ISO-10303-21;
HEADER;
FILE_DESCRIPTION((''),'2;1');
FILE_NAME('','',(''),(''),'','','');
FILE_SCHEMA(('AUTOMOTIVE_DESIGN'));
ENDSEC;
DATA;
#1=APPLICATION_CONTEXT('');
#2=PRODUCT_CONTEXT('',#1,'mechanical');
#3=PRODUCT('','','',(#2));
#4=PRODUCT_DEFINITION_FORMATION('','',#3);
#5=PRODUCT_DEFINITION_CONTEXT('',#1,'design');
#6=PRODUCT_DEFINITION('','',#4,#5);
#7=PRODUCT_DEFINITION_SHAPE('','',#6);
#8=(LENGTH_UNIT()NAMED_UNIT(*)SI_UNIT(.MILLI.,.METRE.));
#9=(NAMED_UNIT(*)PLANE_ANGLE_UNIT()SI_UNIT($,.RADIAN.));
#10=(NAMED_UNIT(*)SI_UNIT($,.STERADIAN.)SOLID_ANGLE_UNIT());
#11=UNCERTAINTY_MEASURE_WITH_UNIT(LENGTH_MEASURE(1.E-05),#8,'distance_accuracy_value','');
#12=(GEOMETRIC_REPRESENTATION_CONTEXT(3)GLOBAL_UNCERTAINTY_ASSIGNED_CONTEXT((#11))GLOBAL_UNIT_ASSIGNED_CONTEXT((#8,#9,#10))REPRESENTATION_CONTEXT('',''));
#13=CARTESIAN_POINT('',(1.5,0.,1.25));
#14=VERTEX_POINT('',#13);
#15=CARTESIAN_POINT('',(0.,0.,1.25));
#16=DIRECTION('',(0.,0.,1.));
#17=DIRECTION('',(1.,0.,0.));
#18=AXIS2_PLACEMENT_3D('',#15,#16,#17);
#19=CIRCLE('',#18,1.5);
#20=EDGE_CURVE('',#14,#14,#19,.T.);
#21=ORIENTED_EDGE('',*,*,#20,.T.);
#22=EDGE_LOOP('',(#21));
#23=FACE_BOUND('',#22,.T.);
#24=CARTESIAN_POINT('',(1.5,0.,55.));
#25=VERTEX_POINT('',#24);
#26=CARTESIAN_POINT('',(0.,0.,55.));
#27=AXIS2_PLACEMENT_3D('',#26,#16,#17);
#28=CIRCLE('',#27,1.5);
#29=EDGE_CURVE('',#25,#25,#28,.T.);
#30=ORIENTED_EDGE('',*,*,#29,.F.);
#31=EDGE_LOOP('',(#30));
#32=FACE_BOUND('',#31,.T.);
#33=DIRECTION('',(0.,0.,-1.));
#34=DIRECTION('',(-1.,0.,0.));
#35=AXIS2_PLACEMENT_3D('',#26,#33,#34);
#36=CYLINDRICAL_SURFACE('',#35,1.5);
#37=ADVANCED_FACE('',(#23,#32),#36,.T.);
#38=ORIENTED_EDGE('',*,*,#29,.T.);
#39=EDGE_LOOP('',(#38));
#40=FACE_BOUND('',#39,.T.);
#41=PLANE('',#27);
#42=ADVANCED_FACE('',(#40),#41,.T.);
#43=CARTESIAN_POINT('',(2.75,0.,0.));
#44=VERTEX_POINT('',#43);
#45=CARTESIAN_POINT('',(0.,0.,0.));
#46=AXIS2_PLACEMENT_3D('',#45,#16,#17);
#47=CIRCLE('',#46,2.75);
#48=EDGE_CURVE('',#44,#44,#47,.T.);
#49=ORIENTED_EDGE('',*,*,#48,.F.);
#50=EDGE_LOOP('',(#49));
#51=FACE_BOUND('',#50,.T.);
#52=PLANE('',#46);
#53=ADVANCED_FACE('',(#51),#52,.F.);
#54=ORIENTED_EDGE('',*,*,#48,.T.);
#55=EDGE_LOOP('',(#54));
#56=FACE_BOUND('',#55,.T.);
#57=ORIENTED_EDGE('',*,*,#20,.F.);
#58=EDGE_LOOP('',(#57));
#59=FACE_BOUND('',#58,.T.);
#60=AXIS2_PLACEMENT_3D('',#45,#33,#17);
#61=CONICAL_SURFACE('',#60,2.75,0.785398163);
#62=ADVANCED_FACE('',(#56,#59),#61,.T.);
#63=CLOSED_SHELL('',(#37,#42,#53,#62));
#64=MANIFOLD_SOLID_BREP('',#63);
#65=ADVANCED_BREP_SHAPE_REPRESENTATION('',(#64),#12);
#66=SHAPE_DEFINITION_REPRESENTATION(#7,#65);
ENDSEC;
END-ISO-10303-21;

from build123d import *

# Parameters (mm, degrees)
M3_55MM_START    = 1.25
SKETCH_1_R       = 1.5
M3_55MM_DEPTH    = 53.75
SKETCH_2_R       = 2.75
M3_D5P5_90_DEPTH = 1.25
M3_D5P5_90_TAPER = 45


with BuildPart() as part:
    # 草图1 → M3简化螺杆_沉头总长55mm (new body)
    with BuildSketch(Plane.XY.offset(M3_55MM_START)):
        Circle(SKETCH_1_R)
    extrude(amount=M3_55MM_DEPTH)

    # 草图2 → M3沉头_D5p5_90度 (add)
    with BuildSketch(Plane.XY):
        Circle(SKETCH_2_R)
    extrude(amount=M3_D5P5_90_DEPTH, taper=M3_D5P5_90_TAPER)


solid = part.part
